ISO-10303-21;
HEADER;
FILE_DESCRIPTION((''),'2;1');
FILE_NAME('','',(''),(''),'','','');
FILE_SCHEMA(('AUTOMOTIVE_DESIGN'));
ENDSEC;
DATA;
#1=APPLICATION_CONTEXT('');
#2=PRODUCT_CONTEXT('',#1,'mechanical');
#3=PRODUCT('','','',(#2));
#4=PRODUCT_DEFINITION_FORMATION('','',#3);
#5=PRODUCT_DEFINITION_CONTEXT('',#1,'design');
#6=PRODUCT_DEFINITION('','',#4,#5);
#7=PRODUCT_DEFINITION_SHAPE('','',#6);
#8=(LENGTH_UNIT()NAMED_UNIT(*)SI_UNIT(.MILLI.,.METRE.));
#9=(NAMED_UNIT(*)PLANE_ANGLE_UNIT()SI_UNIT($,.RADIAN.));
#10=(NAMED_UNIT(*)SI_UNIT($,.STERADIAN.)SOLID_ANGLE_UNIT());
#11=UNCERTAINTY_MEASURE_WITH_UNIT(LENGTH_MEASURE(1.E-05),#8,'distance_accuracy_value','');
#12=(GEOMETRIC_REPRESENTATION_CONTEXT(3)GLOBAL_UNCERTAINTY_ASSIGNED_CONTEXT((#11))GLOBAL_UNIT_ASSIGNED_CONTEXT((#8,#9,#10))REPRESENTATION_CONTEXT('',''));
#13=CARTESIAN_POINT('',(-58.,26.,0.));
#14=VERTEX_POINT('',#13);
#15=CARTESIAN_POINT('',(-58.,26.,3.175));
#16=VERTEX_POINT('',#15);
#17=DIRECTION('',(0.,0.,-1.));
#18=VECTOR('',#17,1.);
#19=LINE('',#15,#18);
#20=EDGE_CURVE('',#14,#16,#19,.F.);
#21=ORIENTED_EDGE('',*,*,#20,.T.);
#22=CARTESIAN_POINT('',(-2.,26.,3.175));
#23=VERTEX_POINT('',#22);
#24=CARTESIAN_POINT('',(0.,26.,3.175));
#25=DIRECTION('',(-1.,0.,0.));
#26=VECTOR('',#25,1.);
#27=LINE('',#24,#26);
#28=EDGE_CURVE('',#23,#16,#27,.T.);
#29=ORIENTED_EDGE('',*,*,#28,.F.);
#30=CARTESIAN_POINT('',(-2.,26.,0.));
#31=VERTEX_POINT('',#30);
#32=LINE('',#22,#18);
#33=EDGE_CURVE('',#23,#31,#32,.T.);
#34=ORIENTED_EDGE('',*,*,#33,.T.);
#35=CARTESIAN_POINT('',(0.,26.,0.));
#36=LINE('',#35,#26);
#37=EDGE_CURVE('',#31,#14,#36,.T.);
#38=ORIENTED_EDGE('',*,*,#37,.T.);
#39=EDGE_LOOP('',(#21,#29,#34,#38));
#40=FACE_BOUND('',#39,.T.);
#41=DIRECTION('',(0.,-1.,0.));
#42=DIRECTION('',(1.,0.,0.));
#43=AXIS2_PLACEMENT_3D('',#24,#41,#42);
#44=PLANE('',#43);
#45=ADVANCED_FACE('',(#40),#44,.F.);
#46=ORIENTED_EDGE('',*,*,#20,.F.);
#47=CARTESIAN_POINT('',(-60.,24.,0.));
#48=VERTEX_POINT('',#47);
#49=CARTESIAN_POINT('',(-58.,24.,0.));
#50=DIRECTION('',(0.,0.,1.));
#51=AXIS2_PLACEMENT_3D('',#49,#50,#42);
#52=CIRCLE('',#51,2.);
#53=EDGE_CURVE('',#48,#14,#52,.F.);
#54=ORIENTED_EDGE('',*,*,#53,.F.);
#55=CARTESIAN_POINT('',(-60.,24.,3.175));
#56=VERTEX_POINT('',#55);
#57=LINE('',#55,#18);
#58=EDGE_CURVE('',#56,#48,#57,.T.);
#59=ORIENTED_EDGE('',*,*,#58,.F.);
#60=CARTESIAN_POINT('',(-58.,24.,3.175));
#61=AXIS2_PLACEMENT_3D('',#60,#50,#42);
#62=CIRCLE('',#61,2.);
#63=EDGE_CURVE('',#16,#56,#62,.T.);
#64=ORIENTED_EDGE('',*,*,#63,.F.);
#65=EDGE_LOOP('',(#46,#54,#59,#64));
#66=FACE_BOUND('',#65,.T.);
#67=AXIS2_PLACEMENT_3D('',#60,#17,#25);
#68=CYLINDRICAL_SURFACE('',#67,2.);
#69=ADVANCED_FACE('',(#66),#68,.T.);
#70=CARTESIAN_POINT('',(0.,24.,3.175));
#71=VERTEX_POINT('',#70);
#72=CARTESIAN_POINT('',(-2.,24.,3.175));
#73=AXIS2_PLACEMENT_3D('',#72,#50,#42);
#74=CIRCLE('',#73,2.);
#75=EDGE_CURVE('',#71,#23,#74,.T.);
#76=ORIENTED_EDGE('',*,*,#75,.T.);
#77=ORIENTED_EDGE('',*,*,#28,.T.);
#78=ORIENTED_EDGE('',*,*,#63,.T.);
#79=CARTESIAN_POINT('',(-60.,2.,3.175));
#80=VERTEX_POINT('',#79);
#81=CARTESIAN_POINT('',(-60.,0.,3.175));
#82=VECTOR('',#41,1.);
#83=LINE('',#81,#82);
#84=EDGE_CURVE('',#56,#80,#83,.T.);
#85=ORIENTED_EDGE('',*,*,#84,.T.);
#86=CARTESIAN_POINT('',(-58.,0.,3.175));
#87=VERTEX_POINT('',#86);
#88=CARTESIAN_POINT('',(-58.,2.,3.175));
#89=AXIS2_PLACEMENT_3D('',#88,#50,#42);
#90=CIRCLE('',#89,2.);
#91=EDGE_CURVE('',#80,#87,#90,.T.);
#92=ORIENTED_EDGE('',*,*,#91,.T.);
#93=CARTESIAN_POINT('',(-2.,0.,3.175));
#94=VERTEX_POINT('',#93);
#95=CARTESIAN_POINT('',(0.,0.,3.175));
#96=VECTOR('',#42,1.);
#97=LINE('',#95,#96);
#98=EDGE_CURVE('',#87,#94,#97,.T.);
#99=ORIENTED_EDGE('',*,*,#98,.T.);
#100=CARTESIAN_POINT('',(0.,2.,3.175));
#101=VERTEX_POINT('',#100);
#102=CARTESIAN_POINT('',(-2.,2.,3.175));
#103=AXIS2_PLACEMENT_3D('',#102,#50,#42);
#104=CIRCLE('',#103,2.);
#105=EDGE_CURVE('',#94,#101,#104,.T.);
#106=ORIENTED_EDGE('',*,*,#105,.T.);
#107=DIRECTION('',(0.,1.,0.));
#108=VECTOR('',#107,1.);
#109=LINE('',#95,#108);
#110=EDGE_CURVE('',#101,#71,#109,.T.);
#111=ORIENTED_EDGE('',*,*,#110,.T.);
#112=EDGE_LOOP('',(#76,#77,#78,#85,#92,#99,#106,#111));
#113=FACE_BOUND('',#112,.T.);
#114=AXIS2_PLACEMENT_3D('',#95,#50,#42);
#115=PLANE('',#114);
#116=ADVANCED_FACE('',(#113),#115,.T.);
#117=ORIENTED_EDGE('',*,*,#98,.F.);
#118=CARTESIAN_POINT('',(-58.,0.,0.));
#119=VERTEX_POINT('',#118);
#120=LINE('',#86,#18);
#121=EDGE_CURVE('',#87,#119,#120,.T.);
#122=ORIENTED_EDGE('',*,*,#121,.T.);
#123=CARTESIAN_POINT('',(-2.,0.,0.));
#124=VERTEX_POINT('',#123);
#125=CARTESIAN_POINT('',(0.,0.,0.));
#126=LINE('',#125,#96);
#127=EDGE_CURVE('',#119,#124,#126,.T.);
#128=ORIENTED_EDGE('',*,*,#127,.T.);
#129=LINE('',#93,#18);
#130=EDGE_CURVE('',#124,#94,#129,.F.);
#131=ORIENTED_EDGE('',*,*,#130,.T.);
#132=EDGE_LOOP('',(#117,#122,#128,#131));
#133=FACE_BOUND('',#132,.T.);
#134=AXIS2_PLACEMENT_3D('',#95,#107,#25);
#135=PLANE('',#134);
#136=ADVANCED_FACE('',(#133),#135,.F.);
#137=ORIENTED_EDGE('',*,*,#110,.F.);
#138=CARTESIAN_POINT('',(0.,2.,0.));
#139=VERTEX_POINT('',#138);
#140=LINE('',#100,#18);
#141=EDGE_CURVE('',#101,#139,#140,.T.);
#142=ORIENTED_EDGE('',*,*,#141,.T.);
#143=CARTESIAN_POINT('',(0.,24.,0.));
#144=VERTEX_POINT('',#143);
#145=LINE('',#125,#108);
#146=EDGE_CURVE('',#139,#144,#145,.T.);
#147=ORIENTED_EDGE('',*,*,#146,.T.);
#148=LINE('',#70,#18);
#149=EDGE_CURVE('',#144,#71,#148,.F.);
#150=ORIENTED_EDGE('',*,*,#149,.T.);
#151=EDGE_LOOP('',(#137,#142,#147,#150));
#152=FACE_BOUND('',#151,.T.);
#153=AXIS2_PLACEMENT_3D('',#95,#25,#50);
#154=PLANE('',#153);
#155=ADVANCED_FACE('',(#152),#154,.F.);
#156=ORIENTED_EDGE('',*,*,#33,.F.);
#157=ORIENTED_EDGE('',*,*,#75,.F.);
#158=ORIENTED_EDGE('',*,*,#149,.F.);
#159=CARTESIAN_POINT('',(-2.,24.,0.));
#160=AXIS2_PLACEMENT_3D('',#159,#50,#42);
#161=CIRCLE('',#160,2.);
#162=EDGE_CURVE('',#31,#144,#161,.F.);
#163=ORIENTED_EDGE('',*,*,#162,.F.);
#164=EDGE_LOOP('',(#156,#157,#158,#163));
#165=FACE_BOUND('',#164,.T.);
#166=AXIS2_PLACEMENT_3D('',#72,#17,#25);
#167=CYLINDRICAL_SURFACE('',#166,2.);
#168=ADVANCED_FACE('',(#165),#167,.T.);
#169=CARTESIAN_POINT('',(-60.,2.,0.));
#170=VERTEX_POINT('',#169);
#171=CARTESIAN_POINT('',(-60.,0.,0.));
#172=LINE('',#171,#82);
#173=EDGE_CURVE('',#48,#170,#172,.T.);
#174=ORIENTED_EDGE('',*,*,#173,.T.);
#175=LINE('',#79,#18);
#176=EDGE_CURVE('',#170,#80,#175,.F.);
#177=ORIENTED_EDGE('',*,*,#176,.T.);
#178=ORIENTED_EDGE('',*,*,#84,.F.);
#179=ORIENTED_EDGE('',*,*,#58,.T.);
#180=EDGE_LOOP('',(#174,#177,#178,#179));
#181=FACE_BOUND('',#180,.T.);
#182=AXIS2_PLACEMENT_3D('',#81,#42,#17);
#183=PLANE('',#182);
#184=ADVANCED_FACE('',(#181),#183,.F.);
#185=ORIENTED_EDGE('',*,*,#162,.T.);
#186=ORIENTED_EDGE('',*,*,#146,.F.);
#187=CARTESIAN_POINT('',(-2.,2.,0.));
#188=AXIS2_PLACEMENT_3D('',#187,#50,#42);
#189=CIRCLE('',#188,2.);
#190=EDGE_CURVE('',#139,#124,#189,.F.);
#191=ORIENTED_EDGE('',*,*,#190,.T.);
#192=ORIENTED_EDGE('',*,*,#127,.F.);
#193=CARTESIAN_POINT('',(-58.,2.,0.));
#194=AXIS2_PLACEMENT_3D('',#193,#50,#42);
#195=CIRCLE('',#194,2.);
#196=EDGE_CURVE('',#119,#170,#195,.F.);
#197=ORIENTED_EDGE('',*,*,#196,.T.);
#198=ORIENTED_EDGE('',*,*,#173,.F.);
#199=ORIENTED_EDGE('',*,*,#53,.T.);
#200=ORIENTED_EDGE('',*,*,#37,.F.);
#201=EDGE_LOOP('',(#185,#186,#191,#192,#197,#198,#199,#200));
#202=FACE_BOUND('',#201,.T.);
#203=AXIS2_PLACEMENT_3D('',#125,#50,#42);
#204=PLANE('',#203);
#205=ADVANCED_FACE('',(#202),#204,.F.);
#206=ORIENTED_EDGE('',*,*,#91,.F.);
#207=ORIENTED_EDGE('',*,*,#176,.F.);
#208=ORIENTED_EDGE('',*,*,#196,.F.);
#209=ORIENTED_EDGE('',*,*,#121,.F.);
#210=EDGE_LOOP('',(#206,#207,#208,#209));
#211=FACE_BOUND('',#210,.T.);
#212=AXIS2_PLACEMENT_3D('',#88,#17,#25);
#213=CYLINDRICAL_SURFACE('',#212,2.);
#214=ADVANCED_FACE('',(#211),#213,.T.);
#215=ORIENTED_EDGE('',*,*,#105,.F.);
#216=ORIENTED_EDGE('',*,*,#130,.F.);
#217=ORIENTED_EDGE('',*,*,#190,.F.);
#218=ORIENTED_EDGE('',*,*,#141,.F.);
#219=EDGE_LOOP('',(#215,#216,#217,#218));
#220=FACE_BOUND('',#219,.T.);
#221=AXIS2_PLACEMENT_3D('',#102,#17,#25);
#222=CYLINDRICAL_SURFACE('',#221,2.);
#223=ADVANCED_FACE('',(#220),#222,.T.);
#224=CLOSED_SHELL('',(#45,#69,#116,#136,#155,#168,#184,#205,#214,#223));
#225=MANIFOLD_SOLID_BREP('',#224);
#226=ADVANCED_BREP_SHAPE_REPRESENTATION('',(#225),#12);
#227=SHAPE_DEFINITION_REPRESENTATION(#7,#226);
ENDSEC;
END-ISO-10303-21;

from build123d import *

# Parameters (mm, degrees)
SKETCH1_W           = 60
SKETCH1_H           = 26
BOSS_EXTRUDE1_DEPTH = 3.175
FILLET1_R           = 2


with BuildPart() as part:
    # Sketch1 → Boss-Extrude1 (new body)
    with BuildSketch(Plane.XY):
        with Locations((-30, 13)):
            Rectangle(SKETCH1_W, SKETCH1_H)
    extrude(amount=BOSS_EXTRUDE1_DEPTH)

    # Fillet1
    fillet1_edges = [part.edges().sort_by_distance(p)[0] for p in [
        (0, 0, 1.5875),
        (-60, 0, 1.5875),
        (-60, 26, 1.5875),
        (0, 26, 1.5875),
    ]]
    fillet(fillet1_edges, radius=FILLET1_R)


solid = part.part
